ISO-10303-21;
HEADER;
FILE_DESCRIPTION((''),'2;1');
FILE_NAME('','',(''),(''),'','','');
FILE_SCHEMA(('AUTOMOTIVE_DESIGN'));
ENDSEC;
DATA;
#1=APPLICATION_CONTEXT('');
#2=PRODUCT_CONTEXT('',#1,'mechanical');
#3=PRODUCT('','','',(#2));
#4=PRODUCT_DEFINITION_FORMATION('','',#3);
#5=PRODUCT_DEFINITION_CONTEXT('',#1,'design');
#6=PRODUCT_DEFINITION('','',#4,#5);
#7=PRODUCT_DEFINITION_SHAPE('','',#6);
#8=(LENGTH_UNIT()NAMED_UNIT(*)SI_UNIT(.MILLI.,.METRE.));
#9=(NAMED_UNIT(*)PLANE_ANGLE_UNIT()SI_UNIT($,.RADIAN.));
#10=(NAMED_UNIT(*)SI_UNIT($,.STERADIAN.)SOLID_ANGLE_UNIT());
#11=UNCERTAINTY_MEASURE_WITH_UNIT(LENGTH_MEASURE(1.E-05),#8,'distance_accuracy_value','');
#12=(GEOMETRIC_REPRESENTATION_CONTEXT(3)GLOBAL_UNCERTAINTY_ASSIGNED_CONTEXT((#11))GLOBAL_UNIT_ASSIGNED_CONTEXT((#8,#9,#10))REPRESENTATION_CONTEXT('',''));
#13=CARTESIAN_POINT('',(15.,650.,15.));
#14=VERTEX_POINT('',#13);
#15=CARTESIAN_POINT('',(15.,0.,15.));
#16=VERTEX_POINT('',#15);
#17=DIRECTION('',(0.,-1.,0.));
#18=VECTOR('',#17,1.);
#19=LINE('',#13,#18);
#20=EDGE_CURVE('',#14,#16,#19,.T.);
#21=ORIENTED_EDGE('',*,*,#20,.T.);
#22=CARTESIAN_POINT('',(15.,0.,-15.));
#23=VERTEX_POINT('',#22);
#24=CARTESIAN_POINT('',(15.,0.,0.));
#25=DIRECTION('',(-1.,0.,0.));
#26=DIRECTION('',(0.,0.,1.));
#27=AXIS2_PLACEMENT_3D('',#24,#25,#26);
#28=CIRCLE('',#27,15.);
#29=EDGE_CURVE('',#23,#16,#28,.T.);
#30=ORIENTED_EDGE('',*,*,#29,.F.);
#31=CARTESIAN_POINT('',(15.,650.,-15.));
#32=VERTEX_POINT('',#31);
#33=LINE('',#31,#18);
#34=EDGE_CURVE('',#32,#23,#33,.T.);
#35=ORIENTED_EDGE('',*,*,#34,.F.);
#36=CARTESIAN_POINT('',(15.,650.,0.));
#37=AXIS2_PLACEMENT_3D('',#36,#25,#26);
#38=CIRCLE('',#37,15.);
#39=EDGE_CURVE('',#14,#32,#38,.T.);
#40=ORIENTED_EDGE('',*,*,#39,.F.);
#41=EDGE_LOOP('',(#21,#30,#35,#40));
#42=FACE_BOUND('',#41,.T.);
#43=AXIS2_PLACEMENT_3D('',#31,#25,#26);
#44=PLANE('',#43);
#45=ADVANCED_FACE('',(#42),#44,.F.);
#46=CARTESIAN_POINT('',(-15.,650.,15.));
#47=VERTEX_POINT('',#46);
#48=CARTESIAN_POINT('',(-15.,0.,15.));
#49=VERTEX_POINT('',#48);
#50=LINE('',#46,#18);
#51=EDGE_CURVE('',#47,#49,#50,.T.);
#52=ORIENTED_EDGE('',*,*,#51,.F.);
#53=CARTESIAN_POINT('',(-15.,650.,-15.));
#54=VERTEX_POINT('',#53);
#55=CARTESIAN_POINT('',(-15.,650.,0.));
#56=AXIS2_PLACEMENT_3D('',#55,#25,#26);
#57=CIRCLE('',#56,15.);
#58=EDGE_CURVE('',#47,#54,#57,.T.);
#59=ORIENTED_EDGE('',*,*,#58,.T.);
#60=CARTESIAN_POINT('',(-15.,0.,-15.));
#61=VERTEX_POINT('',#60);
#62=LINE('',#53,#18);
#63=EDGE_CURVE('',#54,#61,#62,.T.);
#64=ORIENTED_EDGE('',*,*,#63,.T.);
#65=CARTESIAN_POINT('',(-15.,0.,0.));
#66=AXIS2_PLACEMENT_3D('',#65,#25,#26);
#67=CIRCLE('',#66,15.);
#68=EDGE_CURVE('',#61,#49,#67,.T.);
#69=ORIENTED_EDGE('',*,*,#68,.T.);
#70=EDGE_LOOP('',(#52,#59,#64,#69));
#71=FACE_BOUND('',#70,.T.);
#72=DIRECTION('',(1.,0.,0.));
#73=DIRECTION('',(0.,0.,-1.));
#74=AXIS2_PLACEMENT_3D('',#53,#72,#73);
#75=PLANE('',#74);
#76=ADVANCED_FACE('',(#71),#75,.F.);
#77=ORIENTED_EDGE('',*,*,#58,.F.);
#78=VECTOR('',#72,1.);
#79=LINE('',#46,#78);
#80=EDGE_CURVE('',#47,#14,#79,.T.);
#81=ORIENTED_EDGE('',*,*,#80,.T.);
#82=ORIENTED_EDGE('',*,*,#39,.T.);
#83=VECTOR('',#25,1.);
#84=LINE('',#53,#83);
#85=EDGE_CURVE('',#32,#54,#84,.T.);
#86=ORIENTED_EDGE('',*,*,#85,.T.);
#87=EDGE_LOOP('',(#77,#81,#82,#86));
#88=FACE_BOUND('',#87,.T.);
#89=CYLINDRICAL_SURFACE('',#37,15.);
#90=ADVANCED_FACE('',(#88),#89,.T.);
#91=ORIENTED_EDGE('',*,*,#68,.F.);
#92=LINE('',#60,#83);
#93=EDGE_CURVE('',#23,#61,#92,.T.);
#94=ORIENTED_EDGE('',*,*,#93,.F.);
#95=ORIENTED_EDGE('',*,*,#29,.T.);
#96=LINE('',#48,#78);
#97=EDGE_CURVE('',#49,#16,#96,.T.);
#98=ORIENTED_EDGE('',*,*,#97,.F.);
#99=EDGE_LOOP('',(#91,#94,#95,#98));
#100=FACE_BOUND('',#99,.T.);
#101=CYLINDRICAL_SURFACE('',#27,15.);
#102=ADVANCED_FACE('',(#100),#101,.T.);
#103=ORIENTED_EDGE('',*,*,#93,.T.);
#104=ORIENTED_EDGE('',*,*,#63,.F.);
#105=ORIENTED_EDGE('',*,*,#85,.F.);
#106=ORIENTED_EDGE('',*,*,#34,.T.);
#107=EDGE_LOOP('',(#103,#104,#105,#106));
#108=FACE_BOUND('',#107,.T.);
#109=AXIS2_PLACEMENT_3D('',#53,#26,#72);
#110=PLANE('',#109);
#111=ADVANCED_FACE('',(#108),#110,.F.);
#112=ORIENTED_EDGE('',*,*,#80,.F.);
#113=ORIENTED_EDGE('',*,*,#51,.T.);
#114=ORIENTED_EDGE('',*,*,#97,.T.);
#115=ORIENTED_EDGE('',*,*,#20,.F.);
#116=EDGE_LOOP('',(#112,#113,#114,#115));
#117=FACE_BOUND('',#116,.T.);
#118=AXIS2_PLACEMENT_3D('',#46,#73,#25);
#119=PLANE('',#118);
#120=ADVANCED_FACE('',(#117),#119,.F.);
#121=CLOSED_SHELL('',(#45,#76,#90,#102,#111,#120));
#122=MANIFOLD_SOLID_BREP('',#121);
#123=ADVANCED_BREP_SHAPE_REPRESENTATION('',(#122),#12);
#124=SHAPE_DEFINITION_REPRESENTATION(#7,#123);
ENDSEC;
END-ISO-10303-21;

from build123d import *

# Parameters (mm, degrees)
SKETCH1_W           = 30
SKETCH1_H           = 30
BOSS_EXTRUDE1_DEPTH = 650
SKETCH2_R           = 15
BOSS_EXTRUDE2_DEPTH = 30


with BuildPart() as part:
    # Sketch1 → Boss-Extrude1 (new body)
    with BuildSketch(Plane(origin=(0, 0, 0), x_dir=(1, 0, 0), z_dir=(0, 1, 0))):
        Rectangle(SKETCH1_W, SKETCH1_H)
    extrude(amount=BOSS_EXTRUDE1_DEPTH)

    # Sketch2 → Boss-Extrude2 (add)
    with BuildSketch(Plane.ZY.offset(15)):
        Circle(SKETCH2_R)
        with Locations((0, 650)):
            Circle(SKETCH2_R)
    extrude(amount=-BOSS_EXTRUDE2_DEPTH)


solid = part.part
